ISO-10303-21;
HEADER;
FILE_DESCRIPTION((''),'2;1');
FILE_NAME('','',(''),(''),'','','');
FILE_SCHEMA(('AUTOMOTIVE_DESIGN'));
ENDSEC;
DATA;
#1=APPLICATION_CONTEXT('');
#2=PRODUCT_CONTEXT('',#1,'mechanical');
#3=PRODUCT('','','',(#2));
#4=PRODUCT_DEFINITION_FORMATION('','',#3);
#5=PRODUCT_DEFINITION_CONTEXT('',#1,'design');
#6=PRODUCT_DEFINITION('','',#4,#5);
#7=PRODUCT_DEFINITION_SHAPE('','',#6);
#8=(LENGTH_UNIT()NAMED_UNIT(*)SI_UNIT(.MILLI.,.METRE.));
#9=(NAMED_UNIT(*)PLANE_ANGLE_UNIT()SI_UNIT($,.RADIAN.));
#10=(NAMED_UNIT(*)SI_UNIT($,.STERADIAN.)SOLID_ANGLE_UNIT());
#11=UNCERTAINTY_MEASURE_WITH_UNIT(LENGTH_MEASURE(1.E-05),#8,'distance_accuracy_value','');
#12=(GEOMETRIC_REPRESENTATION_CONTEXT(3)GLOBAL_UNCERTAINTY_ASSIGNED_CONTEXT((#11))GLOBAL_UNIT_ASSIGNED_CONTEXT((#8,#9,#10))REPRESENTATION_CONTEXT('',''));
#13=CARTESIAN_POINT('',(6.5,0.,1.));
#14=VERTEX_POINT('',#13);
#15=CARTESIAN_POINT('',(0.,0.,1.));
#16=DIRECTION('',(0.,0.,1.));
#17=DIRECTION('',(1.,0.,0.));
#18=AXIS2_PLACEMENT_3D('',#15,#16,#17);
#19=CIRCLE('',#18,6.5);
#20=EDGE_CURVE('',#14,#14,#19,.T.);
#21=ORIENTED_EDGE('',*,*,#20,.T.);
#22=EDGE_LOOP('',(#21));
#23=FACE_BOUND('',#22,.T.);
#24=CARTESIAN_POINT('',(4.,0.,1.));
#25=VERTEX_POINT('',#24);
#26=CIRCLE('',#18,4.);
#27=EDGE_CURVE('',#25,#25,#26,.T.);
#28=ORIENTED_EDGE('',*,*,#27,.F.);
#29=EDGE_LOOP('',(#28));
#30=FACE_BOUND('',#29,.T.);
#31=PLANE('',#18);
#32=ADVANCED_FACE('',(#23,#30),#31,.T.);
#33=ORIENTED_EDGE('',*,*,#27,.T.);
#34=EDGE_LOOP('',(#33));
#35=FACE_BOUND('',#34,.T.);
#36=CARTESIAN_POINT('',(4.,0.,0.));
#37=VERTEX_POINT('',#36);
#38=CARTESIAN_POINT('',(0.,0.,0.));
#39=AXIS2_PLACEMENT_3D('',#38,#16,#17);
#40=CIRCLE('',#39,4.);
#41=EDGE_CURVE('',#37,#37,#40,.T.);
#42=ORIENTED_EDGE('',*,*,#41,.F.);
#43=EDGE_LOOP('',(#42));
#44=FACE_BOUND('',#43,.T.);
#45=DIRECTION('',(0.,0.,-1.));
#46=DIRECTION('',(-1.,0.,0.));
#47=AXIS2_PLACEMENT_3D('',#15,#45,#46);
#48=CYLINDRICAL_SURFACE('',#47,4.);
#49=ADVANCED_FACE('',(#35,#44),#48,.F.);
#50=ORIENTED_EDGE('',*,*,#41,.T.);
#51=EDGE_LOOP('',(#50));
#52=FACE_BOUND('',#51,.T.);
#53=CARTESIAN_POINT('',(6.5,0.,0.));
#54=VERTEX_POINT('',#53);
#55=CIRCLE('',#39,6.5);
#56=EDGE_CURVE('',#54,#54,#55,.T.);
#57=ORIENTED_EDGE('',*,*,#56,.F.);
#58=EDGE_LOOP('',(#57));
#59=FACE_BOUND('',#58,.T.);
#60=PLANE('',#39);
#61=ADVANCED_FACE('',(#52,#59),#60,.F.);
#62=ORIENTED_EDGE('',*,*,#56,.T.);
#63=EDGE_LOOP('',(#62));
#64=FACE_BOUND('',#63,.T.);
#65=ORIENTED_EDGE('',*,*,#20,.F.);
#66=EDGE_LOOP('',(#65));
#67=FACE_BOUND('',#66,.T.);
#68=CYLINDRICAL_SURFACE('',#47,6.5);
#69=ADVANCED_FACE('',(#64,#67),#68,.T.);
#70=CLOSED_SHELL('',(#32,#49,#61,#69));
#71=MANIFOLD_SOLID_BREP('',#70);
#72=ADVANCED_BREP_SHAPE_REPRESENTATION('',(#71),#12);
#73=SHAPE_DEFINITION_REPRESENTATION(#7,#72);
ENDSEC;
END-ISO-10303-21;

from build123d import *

# Parameters (mm, degrees)
SKETCH1_R           = 6.5
SKETCH1_R_2         = 4
BOSS_EXTRUDE1_DEPTH = 1


with BuildPart() as part:
    # Sketch1 → Boss-Extrude1 (new body)
    with BuildSketch(Plane.XY):
        Circle(SKETCH1_R)
        Circle(SKETCH1_R_2, mode=Mode.SUBTRACT)
    extrude(amount=BOSS_EXTRUDE1_DEPTH)


solid = part.part
